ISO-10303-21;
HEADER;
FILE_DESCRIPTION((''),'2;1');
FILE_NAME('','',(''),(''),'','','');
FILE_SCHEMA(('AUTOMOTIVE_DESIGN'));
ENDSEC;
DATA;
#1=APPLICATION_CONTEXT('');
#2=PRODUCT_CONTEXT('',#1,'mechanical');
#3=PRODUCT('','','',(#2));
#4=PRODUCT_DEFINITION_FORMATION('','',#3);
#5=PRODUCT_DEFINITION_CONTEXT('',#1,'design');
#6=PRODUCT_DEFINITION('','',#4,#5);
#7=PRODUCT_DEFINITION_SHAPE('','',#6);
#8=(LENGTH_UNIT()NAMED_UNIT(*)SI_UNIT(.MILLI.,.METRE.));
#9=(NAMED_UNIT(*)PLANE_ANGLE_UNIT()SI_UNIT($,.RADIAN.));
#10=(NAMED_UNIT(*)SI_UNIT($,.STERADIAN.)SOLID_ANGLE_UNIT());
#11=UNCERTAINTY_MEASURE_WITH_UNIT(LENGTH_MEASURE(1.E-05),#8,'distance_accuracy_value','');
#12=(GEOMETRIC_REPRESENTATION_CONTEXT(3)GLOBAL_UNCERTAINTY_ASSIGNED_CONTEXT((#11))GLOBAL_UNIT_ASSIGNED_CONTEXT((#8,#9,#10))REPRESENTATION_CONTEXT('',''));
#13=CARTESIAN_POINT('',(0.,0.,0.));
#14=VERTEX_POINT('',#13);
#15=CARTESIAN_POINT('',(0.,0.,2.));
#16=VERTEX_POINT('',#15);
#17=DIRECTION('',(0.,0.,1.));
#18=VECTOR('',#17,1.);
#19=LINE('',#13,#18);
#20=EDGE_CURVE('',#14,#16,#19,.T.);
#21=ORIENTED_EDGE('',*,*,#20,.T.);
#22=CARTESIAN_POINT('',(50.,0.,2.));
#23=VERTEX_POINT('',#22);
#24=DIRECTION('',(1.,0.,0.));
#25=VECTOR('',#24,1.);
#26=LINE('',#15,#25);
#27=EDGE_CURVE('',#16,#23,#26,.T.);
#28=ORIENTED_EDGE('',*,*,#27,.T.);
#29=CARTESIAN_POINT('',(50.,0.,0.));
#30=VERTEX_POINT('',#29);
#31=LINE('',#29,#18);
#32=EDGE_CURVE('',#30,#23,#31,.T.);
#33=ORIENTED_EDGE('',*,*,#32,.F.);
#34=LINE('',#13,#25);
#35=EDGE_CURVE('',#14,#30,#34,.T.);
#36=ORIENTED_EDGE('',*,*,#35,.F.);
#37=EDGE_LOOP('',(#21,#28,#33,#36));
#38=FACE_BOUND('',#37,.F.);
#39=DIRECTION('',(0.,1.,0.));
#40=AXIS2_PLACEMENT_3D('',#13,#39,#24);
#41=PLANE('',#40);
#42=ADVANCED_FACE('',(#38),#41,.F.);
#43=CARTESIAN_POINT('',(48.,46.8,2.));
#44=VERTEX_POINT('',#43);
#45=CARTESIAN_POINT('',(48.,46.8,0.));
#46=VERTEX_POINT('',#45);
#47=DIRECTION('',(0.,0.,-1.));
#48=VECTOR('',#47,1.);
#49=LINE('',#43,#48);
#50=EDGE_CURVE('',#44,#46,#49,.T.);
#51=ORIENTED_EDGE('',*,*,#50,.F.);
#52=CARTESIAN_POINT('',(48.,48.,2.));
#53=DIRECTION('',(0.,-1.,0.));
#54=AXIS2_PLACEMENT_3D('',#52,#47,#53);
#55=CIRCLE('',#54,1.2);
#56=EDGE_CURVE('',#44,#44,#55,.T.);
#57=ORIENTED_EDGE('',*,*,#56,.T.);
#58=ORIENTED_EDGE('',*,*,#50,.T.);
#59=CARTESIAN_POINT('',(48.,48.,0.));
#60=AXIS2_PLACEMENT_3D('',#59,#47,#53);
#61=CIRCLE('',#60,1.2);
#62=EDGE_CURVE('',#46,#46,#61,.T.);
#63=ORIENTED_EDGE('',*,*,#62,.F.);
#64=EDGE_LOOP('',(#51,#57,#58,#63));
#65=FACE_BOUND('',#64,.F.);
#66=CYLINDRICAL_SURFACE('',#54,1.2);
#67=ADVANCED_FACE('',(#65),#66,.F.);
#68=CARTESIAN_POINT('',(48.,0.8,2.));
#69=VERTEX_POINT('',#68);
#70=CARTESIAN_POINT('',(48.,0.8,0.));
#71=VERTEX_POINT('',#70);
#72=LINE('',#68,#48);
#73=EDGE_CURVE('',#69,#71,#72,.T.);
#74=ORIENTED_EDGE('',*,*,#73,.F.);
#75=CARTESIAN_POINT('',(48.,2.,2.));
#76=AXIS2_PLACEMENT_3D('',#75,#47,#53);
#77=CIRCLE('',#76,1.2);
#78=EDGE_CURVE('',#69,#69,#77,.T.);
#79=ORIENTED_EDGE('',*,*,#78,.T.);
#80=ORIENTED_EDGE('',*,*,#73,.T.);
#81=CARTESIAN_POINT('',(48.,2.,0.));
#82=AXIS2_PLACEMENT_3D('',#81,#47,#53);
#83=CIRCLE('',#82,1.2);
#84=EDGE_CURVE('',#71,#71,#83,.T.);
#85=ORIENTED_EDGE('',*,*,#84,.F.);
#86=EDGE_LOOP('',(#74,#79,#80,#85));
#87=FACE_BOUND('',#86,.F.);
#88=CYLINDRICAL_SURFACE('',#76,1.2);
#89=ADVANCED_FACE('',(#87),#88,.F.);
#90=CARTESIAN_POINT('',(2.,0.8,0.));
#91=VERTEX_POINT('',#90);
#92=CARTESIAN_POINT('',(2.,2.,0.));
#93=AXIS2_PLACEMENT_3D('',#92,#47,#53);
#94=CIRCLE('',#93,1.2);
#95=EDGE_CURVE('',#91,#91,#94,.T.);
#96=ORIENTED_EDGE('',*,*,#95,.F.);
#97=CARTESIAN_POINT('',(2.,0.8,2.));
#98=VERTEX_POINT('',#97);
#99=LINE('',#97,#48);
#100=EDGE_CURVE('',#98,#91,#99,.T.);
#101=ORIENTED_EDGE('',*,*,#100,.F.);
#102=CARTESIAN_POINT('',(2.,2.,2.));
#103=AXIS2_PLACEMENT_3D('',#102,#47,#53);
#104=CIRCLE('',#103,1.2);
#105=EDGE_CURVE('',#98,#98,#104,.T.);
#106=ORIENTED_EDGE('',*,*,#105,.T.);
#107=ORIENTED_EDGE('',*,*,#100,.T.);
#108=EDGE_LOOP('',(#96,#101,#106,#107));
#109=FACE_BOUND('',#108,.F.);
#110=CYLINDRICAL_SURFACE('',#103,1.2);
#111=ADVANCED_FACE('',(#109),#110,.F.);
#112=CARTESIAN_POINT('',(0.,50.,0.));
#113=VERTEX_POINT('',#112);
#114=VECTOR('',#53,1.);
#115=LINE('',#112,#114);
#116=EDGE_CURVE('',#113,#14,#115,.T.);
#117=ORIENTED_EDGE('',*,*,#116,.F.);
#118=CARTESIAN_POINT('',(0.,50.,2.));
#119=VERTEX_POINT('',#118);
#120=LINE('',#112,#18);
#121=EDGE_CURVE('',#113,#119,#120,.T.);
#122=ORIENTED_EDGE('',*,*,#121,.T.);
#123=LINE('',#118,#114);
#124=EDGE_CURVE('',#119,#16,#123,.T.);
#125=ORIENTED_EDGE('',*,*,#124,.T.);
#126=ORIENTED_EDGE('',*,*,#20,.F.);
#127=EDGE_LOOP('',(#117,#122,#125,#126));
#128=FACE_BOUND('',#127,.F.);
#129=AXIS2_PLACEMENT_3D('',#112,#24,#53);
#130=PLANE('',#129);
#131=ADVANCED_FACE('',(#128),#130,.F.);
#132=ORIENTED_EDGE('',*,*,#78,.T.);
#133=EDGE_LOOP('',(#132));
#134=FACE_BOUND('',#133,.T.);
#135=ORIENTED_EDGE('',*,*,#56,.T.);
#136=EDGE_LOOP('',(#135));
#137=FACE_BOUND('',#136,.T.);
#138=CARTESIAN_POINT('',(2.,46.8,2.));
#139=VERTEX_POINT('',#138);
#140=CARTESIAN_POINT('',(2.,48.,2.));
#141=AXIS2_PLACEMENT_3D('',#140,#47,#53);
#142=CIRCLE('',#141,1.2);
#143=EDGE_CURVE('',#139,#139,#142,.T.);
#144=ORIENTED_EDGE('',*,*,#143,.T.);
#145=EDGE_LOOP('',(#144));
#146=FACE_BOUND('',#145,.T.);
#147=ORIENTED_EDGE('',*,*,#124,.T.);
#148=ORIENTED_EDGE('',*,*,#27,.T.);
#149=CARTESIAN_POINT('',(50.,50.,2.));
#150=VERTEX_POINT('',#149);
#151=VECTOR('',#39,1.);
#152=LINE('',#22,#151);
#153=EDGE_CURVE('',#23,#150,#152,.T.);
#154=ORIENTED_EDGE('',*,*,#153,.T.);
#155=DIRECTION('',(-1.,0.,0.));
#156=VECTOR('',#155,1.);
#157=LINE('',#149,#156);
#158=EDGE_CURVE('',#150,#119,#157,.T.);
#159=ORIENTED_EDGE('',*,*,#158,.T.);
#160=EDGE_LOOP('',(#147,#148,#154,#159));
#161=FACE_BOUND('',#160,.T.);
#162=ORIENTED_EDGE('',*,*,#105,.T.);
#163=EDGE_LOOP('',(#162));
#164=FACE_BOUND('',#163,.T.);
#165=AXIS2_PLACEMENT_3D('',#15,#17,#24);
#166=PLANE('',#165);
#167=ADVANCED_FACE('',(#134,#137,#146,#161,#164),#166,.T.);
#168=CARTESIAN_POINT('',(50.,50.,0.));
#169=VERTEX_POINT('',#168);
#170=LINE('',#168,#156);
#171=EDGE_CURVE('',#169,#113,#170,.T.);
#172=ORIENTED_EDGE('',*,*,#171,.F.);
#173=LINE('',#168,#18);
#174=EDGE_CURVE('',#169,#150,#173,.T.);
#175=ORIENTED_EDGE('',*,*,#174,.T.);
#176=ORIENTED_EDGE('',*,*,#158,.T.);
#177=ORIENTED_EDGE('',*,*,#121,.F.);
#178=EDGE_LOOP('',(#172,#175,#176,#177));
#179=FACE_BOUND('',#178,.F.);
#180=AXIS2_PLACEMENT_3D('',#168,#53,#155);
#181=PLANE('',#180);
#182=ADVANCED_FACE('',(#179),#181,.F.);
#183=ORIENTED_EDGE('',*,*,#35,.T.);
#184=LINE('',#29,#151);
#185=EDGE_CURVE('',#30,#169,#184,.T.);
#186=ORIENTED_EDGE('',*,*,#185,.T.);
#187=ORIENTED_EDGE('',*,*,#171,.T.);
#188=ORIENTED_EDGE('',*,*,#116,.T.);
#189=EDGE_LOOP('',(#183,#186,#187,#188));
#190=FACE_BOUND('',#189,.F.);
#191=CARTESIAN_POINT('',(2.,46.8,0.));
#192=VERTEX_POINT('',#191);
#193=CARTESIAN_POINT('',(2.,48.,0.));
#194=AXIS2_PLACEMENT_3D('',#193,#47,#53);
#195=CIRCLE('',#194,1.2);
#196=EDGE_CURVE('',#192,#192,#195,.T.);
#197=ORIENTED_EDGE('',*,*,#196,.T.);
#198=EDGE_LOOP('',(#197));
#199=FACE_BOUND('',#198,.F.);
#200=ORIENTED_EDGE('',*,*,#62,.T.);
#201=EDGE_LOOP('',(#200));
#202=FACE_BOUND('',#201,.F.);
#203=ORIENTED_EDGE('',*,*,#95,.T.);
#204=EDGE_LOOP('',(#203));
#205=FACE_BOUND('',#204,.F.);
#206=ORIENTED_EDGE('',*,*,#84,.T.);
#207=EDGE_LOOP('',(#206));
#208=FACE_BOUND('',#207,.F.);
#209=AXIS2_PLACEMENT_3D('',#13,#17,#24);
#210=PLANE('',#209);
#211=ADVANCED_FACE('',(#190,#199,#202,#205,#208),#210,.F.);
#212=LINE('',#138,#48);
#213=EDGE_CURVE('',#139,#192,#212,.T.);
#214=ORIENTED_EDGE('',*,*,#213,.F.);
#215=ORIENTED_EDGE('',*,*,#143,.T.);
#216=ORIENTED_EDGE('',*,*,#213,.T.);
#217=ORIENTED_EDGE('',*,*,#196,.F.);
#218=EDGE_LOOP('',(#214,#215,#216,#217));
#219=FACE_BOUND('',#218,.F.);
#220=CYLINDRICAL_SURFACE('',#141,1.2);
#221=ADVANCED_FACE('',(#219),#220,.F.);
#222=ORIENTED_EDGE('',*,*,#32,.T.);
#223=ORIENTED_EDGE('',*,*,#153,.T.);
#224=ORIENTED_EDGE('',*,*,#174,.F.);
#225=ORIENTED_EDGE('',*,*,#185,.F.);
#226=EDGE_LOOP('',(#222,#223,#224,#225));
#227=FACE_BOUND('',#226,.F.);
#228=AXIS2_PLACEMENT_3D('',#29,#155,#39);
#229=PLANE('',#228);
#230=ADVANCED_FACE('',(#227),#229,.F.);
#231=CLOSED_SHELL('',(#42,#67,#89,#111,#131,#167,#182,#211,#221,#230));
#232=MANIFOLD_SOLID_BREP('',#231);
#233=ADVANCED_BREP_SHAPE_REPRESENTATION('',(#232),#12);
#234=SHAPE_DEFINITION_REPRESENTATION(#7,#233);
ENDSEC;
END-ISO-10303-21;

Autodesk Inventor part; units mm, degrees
ref_plane "YZ Plane" through (0, 0, 0) normal (1, 0, 0) x (0, 1, 0)
ref_plane "XZ Plane" through (0, 0, 0) normal (0, 1, 0) x (-1, 0, 0)
ref_plane "XY Plane" through (0, 0, 0) normal (0, 0, 1) x (1, 0, 0)
sketch "Skizze1" plane through (0, 0, 0) normal (0, 0, 1) x (1, 0, 0)
  line L0 (0, 0) -> (50, 0)
  line L1 (50, 0) -> (50, 50)
  line L2 (50, 50) -> (0, 50)
  line L3 (0, 50) -> (0, 0)
  dimension "d0" = 50
  dimension "d1" = 50
extrude "Extrusion1" add sketch "Skizze1" along normal blind 2
sketch "Skizze3" plane through (0, 0, 2) normal (0, 0, 1) x (1, 0, 0)
  line L0 (0, 0) -> (0, 50) projected
  line L1 (50, 0) -> (0, 0) projected
  line L2 (50, 50) -> (50, 0) projected
  line L3 (0, 50) -> (50, 50) projected
  line L4 (2, 48) -> (2, 2)
  line L5 (2, 2) -> (48, 2)
  line L6 (48, 2) -> (48, 48)
  line L7 (48, 48) -> (2, 48)
  dimension "d15" = 2
hole "Bohrung2" at (2, 48, 2) at (48, 48, 2) at (48, 2, 2) at (2, 2, 2) direction (0, 0, -1) diameter 2.4 end through all
properties part number "1_0204_004"
